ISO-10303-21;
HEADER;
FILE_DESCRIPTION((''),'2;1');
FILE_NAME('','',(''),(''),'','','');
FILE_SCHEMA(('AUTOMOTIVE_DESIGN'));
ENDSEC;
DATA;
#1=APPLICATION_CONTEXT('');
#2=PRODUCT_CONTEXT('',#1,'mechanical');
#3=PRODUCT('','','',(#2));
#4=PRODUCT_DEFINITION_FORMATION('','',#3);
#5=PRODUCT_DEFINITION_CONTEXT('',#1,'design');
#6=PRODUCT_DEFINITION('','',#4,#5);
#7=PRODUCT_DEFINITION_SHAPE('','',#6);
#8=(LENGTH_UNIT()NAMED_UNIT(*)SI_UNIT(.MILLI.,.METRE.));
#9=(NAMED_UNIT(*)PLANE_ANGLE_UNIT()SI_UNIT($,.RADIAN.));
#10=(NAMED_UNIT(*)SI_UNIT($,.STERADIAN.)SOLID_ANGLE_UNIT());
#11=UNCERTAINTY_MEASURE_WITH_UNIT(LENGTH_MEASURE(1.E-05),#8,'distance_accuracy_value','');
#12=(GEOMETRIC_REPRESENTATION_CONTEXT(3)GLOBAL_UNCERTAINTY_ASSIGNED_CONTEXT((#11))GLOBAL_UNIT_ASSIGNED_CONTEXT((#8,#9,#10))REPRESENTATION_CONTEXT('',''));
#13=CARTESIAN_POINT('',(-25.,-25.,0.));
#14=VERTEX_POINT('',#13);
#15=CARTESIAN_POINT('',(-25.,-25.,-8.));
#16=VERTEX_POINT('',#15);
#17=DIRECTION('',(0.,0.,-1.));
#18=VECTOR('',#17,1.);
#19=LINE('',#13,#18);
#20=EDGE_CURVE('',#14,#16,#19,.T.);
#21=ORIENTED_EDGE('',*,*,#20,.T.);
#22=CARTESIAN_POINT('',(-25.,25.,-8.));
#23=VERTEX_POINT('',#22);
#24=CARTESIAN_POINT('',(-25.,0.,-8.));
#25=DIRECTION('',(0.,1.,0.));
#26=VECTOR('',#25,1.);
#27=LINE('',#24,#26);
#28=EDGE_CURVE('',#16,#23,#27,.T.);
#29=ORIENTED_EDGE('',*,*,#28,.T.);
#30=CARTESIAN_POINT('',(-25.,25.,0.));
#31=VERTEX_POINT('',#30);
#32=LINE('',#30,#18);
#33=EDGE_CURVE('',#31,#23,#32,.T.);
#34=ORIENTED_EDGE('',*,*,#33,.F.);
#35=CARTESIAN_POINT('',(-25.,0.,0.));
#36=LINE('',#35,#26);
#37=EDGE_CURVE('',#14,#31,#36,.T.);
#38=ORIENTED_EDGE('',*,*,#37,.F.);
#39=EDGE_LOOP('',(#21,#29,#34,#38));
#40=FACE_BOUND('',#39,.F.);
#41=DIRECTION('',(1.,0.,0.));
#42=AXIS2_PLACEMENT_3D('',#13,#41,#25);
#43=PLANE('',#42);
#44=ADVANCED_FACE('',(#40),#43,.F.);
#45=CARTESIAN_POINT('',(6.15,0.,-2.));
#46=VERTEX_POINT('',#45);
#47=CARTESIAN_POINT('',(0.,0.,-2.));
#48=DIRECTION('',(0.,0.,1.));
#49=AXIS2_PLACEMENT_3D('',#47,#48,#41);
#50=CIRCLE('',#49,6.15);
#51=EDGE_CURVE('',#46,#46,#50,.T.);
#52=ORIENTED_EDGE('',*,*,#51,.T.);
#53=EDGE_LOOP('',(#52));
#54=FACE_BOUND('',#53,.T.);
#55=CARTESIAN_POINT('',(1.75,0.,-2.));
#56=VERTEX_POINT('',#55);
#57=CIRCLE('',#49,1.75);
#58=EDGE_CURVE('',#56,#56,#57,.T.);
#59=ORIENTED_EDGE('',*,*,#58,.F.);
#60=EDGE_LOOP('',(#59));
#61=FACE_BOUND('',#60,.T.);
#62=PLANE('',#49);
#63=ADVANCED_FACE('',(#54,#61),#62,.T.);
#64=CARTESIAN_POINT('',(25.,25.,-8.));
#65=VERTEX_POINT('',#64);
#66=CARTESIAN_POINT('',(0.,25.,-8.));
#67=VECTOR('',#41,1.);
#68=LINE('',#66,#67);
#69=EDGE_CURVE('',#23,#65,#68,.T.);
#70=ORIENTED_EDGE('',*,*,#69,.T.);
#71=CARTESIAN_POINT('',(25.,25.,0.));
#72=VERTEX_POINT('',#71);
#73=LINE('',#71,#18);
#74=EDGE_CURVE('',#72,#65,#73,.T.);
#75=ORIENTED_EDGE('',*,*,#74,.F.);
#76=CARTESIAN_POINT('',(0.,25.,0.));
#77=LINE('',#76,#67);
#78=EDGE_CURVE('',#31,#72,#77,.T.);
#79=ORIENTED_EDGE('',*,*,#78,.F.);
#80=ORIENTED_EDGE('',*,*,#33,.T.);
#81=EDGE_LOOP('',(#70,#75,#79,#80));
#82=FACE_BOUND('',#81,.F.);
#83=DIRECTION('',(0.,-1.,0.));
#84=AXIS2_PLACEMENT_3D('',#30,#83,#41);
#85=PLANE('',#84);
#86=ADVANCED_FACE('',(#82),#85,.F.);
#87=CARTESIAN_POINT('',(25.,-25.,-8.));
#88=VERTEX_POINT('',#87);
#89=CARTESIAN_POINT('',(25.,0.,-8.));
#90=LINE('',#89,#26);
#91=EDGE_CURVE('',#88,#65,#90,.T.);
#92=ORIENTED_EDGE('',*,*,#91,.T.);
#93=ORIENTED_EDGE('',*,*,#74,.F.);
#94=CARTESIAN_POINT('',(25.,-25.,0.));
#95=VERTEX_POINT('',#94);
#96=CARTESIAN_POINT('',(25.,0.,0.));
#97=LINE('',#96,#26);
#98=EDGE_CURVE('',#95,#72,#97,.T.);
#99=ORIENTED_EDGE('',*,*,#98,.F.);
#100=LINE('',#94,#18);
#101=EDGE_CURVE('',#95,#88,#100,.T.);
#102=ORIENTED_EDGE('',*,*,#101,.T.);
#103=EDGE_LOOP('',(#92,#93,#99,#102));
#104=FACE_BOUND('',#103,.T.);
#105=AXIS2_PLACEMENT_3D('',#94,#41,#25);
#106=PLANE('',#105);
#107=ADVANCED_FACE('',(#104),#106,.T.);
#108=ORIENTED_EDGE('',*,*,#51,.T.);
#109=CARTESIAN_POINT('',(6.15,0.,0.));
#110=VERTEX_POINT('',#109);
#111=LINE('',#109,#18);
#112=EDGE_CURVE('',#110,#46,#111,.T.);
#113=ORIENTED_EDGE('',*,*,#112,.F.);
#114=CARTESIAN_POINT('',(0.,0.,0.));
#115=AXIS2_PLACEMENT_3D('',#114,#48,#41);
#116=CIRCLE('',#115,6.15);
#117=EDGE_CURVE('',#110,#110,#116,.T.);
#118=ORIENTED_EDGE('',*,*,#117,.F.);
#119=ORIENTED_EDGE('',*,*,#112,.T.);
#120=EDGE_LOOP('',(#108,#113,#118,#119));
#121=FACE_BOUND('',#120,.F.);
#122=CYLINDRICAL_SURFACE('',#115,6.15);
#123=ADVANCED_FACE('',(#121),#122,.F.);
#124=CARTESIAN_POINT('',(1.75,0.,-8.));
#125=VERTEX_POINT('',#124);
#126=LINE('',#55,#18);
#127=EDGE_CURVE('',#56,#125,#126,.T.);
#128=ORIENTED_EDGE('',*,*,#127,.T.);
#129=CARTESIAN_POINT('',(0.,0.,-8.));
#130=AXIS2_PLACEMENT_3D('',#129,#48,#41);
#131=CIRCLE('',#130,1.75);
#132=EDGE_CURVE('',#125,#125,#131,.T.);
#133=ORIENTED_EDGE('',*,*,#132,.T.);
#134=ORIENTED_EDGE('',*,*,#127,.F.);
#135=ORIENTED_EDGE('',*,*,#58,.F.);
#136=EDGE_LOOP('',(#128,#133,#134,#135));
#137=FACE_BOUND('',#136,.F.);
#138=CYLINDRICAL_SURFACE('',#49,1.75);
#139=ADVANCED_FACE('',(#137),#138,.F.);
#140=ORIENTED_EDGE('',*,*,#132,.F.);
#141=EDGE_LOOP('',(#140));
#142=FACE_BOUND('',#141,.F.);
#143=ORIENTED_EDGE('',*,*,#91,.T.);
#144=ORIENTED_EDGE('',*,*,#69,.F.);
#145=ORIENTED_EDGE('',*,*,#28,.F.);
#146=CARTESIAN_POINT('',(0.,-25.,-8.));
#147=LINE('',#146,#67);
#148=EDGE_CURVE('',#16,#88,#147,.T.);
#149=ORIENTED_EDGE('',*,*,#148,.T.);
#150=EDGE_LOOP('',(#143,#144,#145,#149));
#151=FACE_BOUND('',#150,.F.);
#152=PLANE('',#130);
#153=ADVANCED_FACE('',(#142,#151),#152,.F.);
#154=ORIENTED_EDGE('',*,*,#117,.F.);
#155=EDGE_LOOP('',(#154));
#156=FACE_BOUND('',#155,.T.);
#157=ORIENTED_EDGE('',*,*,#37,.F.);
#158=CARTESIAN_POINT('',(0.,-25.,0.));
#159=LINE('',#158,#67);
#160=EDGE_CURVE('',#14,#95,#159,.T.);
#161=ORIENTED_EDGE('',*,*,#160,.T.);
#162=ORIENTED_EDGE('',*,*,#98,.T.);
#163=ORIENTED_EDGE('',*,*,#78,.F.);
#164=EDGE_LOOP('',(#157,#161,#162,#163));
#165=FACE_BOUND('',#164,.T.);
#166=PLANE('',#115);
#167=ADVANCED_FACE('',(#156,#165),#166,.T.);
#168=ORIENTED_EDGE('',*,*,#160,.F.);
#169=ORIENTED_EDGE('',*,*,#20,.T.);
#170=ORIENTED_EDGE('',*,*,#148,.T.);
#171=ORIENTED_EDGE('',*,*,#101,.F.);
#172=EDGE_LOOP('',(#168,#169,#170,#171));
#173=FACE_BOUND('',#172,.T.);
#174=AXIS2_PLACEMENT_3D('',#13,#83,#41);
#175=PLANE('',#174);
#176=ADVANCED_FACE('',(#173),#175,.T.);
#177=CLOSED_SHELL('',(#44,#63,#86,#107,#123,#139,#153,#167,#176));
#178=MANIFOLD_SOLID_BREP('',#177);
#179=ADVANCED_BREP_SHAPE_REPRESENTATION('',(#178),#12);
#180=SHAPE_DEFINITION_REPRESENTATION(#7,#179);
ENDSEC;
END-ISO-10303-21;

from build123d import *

# Parameters (mm, degrees)
F0_W     = 50
F0_H     = 50
F1_DEPTH = 8
F2_R     = 6.15
F3_DEPTH = 2
F4_R     = 1.75
F5_DEPTH = 6.001


with BuildPart() as f1:
    # F0 (on Top) → F1 (new body)
    with BuildSketch(Plane.XY):
        Rectangle(F0_W, F0_H)
    extrude(amount=-F1_DEPTH)

    # F2 (on face) → F3 (cut)
    with BuildSketch(Plane.XY):
        Circle(F2_R)
    extrude(amount=-F3_DEPTH, mode=Mode.SUBTRACT)

    # F4 (on face) → F5 (cut, through all)
    with BuildSketch(Plane.XY.offset(-2)):
        Circle(F4_R)
    extrude(amount=-F5_DEPTH, mode=Mode.SUBTRACT)


solid = f1.part
